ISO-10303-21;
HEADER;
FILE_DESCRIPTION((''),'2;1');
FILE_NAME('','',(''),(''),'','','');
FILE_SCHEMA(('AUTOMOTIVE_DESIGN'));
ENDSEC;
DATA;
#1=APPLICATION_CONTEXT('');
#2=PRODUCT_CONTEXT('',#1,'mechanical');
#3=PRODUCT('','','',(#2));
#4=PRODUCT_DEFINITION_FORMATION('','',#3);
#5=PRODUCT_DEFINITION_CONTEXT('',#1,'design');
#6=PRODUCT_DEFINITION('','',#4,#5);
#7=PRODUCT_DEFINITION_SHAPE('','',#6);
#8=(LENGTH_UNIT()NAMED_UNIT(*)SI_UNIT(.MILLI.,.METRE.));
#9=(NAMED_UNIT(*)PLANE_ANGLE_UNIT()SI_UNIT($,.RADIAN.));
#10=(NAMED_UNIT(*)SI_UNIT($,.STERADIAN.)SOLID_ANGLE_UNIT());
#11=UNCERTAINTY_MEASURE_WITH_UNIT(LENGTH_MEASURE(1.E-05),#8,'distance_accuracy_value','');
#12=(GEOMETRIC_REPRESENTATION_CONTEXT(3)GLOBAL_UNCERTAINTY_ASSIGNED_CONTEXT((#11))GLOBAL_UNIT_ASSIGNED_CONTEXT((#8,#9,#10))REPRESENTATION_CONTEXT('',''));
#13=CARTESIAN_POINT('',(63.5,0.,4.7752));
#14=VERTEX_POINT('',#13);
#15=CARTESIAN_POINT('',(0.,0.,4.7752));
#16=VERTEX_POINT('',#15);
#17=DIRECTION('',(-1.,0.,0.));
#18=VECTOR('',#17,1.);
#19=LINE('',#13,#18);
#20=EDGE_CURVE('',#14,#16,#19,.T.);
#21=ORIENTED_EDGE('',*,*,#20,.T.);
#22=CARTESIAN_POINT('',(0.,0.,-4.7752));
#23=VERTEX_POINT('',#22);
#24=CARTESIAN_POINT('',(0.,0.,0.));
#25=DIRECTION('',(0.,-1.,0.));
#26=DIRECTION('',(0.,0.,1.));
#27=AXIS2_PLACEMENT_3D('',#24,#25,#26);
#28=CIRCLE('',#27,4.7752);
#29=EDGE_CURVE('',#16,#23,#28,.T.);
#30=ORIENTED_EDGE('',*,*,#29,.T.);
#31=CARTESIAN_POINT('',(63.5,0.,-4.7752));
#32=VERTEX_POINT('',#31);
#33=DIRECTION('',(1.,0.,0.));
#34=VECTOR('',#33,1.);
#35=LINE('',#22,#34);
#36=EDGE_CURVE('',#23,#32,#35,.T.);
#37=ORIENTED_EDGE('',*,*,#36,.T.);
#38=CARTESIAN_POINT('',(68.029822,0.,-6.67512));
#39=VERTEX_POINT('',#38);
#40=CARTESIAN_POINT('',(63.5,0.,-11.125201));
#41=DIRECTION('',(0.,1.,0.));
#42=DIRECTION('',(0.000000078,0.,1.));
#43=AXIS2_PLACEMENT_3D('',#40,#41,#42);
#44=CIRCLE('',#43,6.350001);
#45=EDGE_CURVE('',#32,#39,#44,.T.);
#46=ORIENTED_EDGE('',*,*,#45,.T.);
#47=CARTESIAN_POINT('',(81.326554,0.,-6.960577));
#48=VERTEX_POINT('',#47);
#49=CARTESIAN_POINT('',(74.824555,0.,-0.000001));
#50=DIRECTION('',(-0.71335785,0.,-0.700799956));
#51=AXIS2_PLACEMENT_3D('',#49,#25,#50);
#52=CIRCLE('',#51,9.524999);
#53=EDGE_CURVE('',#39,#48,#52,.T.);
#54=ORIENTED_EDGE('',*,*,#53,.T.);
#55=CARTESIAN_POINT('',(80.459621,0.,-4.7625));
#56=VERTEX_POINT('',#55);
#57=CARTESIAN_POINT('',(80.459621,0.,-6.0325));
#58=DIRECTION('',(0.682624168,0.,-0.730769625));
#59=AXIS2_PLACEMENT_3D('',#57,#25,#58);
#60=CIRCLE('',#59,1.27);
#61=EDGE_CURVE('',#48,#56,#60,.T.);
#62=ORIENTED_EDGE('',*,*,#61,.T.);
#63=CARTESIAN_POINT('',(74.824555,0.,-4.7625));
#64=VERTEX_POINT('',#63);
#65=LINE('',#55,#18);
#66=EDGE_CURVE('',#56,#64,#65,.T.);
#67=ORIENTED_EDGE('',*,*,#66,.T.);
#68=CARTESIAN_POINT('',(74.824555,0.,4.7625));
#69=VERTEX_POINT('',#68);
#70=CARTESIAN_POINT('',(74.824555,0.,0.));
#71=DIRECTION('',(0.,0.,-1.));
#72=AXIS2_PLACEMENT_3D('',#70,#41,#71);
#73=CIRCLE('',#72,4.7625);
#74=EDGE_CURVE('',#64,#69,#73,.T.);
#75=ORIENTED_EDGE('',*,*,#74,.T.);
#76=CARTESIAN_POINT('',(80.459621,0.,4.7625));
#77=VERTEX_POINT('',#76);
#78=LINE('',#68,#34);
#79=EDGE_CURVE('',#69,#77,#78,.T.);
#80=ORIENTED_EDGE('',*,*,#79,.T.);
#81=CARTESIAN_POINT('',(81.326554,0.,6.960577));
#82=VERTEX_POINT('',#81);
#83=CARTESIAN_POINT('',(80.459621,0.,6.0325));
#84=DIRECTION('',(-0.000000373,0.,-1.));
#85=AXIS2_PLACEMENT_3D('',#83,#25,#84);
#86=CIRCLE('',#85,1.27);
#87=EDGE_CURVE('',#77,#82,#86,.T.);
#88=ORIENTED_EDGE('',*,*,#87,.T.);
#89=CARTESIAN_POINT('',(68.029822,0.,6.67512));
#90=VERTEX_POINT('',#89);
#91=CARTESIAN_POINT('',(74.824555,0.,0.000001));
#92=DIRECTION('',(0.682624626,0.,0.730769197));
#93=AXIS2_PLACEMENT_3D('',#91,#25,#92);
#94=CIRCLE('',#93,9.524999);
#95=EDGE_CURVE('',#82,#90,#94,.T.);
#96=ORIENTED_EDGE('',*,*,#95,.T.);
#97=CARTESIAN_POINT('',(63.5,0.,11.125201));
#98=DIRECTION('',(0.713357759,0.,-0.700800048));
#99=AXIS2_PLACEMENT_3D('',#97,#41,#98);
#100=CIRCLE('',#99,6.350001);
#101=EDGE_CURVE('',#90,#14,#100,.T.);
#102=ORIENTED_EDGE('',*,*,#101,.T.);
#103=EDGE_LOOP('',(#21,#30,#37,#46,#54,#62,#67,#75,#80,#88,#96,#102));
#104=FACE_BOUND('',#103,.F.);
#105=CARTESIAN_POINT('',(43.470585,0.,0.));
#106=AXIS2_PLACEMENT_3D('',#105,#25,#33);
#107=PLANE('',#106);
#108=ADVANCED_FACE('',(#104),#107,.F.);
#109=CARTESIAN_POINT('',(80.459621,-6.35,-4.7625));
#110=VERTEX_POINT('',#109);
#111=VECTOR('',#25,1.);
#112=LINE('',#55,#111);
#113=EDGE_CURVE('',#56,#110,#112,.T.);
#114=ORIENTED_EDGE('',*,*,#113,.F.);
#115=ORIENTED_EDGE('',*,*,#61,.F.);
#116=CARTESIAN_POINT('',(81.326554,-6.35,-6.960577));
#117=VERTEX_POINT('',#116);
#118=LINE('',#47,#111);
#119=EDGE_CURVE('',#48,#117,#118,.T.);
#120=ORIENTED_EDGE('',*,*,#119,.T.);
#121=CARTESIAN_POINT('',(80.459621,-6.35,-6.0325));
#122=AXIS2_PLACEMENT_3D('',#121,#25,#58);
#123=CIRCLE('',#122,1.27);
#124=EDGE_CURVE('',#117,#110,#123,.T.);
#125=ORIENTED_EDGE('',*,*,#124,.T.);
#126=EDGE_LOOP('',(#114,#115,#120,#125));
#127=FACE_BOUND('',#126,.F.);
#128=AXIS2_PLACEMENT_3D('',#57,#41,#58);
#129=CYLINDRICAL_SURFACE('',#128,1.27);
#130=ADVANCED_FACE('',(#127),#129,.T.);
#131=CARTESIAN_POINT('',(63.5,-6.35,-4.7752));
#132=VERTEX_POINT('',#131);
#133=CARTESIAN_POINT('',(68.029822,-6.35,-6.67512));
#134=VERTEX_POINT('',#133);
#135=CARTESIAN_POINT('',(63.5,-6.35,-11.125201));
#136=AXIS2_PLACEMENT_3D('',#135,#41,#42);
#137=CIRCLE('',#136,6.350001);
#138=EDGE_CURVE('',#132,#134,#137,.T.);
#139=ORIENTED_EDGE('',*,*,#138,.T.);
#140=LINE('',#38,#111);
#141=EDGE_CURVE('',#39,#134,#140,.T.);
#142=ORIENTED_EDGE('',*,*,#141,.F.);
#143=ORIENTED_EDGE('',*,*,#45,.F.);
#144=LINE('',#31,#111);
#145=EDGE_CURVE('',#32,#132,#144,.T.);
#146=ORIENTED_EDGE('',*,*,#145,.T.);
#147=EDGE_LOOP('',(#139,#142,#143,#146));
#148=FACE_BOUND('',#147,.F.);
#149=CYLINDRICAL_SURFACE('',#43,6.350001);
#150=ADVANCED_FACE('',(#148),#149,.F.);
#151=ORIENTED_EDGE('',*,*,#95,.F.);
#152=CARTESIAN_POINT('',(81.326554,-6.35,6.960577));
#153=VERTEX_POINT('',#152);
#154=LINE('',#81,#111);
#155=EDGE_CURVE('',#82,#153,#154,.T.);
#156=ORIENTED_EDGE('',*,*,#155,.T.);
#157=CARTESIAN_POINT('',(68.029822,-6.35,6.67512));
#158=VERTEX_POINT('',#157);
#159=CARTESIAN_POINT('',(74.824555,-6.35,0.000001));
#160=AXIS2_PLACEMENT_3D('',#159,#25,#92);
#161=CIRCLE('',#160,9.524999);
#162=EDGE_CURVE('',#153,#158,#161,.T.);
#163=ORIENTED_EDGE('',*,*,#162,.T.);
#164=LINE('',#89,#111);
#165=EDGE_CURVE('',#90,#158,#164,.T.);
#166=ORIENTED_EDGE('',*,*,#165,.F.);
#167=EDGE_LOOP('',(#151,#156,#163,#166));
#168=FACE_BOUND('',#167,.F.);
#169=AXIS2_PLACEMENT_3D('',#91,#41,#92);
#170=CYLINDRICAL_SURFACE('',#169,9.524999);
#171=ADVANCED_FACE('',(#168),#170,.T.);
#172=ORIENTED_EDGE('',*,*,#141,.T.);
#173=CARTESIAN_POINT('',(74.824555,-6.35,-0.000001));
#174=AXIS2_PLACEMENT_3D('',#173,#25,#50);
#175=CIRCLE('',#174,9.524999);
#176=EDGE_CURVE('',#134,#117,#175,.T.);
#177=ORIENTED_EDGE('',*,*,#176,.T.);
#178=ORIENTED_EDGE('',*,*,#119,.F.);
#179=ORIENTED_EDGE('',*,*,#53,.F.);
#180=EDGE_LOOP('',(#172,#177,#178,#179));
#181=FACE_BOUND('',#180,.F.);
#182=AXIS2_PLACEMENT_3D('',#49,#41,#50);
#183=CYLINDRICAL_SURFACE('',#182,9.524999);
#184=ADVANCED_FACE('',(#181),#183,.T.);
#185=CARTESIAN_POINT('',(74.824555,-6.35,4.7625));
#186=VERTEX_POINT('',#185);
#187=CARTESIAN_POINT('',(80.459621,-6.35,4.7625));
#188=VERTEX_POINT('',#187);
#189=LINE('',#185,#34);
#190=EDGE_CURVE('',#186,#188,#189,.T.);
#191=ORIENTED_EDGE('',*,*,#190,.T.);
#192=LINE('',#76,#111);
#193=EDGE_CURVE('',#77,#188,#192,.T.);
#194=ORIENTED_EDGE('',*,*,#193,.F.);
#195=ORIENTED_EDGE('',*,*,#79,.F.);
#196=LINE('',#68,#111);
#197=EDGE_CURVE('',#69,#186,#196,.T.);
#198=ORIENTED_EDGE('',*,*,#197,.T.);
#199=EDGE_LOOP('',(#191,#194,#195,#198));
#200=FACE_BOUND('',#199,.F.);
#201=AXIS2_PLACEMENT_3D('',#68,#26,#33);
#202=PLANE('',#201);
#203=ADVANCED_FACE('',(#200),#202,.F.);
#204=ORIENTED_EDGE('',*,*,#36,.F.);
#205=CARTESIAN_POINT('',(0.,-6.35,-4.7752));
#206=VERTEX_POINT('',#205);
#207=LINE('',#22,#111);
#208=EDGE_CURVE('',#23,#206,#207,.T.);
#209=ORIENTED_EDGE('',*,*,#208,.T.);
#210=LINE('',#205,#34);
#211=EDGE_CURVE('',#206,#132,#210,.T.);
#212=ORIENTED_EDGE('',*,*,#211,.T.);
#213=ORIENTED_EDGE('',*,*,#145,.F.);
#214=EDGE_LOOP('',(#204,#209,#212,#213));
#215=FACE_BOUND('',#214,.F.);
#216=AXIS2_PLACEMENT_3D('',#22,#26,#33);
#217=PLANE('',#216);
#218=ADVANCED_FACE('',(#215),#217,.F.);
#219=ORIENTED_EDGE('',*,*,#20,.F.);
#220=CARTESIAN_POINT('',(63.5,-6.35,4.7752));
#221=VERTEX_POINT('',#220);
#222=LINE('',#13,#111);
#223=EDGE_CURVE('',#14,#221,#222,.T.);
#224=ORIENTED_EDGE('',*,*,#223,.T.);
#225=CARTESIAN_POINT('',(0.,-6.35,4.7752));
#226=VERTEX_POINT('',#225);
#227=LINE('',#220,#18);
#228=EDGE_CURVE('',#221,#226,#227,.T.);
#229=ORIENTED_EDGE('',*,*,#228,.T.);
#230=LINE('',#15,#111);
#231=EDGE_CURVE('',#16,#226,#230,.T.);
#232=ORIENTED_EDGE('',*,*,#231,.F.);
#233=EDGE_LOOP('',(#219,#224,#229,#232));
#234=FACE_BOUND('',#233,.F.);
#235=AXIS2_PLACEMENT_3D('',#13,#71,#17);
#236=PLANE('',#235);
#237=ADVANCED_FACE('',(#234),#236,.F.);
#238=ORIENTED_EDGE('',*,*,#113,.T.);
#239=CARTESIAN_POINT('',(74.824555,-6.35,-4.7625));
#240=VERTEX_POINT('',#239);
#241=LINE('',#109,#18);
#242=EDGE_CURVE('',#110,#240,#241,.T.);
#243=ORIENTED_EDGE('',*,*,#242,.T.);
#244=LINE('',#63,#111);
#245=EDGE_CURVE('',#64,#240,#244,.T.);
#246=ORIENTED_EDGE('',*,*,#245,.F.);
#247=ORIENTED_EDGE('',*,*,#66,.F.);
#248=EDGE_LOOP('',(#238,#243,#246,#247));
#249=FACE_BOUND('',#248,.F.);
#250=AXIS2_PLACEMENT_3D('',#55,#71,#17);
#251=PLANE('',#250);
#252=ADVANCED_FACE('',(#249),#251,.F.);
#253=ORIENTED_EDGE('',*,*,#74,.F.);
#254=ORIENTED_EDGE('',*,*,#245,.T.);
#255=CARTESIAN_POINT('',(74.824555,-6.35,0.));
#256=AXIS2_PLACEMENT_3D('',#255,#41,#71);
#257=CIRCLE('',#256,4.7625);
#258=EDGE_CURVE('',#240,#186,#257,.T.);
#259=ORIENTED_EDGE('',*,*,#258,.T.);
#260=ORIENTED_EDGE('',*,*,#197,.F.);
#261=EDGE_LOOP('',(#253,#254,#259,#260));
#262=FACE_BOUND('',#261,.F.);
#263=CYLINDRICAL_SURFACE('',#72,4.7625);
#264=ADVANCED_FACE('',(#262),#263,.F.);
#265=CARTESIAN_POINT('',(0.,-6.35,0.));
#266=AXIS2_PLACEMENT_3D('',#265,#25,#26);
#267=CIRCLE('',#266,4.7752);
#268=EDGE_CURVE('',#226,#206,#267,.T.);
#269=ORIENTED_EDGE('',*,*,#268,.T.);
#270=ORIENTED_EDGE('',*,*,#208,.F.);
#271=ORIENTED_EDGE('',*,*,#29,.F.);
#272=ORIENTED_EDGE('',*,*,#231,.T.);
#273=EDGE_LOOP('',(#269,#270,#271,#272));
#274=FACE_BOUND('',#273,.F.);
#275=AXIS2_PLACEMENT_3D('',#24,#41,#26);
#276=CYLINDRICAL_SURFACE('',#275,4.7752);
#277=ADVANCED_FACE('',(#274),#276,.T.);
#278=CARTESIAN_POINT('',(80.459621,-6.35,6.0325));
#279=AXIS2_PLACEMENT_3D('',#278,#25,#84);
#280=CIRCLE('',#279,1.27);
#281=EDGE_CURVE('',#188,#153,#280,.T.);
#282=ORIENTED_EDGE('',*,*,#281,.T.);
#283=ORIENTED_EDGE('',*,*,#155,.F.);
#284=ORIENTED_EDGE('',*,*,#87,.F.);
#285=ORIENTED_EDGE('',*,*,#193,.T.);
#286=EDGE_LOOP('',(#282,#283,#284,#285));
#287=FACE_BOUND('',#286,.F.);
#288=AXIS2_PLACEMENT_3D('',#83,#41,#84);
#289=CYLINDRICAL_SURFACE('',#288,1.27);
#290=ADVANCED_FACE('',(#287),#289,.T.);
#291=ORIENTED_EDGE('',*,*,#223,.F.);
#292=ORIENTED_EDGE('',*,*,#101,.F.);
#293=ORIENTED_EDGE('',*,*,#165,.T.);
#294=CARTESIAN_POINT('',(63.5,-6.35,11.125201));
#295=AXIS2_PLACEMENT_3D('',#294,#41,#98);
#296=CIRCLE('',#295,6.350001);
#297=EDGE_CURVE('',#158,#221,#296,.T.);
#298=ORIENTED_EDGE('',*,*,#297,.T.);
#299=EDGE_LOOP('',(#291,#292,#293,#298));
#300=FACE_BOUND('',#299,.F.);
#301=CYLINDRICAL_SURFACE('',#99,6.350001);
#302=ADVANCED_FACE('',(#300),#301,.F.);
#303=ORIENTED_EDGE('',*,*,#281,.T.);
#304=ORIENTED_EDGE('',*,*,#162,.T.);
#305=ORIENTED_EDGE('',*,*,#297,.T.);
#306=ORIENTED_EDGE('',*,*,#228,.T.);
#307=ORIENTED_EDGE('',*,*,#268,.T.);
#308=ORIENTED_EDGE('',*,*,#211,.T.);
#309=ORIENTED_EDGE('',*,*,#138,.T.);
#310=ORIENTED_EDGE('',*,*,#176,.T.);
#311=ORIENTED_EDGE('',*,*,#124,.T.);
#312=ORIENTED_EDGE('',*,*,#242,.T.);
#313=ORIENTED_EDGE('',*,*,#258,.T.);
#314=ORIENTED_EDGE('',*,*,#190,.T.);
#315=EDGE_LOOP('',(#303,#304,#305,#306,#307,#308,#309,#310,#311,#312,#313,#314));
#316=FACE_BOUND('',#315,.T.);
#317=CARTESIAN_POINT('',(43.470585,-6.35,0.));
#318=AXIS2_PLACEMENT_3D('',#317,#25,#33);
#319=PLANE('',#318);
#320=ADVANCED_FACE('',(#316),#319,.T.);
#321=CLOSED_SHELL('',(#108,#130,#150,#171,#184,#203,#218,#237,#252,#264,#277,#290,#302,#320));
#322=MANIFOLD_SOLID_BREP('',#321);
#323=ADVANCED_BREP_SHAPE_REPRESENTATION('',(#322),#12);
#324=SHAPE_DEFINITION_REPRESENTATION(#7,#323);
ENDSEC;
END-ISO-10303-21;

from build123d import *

# Parameters (mm, degrees)
F1_DEPTH = 6.35


with BuildPart() as f1:
    # F0 (on Front) → F1 (new body)
    with BuildSketch(Plane.XZ):
        with BuildLine():
            Line((63.5, 4.7752), (0, 4.7752))
            ThreePointArc((0, 4.7752), (-4.7752, 0), (0, -4.7752))
            Line((0, -4.7752), (63.5, -4.7752))
            ThreePointArc((63.5, -4.7752), (65.956063, -5.269412), (68.029822, -6.67512))
            ThreePointArc((68.029822, -6.67512), (74.620118, -9.522806), (81.326554, -6.960577))
            ThreePointArc((81.326554, -6.960577), (81.641052, -5.566537), (80.459621, -4.7625))
            Line((80.459621, -4.7625), (74.824555, -4.7625))
            ThreePointArc((74.824555, -4.7625), (70.062055, 0), (74.824555, 4.7625))
            Line((74.824555, 4.7625), (80.459621, 4.7625))
            ThreePointArc((80.459621, 4.7625), (81.641052, 5.566537), (81.326554, 6.960577))
            ThreePointArc((81.326554, 6.960577), (74.620118, 9.522806), (68.029822, 6.67512))
            ThreePointArc((68.029822, 6.67512), (65.956063, 5.269412), (63.5, 4.7752))
        make_face()
    extrude(amount=F1_DEPTH)


solid = f1.part
